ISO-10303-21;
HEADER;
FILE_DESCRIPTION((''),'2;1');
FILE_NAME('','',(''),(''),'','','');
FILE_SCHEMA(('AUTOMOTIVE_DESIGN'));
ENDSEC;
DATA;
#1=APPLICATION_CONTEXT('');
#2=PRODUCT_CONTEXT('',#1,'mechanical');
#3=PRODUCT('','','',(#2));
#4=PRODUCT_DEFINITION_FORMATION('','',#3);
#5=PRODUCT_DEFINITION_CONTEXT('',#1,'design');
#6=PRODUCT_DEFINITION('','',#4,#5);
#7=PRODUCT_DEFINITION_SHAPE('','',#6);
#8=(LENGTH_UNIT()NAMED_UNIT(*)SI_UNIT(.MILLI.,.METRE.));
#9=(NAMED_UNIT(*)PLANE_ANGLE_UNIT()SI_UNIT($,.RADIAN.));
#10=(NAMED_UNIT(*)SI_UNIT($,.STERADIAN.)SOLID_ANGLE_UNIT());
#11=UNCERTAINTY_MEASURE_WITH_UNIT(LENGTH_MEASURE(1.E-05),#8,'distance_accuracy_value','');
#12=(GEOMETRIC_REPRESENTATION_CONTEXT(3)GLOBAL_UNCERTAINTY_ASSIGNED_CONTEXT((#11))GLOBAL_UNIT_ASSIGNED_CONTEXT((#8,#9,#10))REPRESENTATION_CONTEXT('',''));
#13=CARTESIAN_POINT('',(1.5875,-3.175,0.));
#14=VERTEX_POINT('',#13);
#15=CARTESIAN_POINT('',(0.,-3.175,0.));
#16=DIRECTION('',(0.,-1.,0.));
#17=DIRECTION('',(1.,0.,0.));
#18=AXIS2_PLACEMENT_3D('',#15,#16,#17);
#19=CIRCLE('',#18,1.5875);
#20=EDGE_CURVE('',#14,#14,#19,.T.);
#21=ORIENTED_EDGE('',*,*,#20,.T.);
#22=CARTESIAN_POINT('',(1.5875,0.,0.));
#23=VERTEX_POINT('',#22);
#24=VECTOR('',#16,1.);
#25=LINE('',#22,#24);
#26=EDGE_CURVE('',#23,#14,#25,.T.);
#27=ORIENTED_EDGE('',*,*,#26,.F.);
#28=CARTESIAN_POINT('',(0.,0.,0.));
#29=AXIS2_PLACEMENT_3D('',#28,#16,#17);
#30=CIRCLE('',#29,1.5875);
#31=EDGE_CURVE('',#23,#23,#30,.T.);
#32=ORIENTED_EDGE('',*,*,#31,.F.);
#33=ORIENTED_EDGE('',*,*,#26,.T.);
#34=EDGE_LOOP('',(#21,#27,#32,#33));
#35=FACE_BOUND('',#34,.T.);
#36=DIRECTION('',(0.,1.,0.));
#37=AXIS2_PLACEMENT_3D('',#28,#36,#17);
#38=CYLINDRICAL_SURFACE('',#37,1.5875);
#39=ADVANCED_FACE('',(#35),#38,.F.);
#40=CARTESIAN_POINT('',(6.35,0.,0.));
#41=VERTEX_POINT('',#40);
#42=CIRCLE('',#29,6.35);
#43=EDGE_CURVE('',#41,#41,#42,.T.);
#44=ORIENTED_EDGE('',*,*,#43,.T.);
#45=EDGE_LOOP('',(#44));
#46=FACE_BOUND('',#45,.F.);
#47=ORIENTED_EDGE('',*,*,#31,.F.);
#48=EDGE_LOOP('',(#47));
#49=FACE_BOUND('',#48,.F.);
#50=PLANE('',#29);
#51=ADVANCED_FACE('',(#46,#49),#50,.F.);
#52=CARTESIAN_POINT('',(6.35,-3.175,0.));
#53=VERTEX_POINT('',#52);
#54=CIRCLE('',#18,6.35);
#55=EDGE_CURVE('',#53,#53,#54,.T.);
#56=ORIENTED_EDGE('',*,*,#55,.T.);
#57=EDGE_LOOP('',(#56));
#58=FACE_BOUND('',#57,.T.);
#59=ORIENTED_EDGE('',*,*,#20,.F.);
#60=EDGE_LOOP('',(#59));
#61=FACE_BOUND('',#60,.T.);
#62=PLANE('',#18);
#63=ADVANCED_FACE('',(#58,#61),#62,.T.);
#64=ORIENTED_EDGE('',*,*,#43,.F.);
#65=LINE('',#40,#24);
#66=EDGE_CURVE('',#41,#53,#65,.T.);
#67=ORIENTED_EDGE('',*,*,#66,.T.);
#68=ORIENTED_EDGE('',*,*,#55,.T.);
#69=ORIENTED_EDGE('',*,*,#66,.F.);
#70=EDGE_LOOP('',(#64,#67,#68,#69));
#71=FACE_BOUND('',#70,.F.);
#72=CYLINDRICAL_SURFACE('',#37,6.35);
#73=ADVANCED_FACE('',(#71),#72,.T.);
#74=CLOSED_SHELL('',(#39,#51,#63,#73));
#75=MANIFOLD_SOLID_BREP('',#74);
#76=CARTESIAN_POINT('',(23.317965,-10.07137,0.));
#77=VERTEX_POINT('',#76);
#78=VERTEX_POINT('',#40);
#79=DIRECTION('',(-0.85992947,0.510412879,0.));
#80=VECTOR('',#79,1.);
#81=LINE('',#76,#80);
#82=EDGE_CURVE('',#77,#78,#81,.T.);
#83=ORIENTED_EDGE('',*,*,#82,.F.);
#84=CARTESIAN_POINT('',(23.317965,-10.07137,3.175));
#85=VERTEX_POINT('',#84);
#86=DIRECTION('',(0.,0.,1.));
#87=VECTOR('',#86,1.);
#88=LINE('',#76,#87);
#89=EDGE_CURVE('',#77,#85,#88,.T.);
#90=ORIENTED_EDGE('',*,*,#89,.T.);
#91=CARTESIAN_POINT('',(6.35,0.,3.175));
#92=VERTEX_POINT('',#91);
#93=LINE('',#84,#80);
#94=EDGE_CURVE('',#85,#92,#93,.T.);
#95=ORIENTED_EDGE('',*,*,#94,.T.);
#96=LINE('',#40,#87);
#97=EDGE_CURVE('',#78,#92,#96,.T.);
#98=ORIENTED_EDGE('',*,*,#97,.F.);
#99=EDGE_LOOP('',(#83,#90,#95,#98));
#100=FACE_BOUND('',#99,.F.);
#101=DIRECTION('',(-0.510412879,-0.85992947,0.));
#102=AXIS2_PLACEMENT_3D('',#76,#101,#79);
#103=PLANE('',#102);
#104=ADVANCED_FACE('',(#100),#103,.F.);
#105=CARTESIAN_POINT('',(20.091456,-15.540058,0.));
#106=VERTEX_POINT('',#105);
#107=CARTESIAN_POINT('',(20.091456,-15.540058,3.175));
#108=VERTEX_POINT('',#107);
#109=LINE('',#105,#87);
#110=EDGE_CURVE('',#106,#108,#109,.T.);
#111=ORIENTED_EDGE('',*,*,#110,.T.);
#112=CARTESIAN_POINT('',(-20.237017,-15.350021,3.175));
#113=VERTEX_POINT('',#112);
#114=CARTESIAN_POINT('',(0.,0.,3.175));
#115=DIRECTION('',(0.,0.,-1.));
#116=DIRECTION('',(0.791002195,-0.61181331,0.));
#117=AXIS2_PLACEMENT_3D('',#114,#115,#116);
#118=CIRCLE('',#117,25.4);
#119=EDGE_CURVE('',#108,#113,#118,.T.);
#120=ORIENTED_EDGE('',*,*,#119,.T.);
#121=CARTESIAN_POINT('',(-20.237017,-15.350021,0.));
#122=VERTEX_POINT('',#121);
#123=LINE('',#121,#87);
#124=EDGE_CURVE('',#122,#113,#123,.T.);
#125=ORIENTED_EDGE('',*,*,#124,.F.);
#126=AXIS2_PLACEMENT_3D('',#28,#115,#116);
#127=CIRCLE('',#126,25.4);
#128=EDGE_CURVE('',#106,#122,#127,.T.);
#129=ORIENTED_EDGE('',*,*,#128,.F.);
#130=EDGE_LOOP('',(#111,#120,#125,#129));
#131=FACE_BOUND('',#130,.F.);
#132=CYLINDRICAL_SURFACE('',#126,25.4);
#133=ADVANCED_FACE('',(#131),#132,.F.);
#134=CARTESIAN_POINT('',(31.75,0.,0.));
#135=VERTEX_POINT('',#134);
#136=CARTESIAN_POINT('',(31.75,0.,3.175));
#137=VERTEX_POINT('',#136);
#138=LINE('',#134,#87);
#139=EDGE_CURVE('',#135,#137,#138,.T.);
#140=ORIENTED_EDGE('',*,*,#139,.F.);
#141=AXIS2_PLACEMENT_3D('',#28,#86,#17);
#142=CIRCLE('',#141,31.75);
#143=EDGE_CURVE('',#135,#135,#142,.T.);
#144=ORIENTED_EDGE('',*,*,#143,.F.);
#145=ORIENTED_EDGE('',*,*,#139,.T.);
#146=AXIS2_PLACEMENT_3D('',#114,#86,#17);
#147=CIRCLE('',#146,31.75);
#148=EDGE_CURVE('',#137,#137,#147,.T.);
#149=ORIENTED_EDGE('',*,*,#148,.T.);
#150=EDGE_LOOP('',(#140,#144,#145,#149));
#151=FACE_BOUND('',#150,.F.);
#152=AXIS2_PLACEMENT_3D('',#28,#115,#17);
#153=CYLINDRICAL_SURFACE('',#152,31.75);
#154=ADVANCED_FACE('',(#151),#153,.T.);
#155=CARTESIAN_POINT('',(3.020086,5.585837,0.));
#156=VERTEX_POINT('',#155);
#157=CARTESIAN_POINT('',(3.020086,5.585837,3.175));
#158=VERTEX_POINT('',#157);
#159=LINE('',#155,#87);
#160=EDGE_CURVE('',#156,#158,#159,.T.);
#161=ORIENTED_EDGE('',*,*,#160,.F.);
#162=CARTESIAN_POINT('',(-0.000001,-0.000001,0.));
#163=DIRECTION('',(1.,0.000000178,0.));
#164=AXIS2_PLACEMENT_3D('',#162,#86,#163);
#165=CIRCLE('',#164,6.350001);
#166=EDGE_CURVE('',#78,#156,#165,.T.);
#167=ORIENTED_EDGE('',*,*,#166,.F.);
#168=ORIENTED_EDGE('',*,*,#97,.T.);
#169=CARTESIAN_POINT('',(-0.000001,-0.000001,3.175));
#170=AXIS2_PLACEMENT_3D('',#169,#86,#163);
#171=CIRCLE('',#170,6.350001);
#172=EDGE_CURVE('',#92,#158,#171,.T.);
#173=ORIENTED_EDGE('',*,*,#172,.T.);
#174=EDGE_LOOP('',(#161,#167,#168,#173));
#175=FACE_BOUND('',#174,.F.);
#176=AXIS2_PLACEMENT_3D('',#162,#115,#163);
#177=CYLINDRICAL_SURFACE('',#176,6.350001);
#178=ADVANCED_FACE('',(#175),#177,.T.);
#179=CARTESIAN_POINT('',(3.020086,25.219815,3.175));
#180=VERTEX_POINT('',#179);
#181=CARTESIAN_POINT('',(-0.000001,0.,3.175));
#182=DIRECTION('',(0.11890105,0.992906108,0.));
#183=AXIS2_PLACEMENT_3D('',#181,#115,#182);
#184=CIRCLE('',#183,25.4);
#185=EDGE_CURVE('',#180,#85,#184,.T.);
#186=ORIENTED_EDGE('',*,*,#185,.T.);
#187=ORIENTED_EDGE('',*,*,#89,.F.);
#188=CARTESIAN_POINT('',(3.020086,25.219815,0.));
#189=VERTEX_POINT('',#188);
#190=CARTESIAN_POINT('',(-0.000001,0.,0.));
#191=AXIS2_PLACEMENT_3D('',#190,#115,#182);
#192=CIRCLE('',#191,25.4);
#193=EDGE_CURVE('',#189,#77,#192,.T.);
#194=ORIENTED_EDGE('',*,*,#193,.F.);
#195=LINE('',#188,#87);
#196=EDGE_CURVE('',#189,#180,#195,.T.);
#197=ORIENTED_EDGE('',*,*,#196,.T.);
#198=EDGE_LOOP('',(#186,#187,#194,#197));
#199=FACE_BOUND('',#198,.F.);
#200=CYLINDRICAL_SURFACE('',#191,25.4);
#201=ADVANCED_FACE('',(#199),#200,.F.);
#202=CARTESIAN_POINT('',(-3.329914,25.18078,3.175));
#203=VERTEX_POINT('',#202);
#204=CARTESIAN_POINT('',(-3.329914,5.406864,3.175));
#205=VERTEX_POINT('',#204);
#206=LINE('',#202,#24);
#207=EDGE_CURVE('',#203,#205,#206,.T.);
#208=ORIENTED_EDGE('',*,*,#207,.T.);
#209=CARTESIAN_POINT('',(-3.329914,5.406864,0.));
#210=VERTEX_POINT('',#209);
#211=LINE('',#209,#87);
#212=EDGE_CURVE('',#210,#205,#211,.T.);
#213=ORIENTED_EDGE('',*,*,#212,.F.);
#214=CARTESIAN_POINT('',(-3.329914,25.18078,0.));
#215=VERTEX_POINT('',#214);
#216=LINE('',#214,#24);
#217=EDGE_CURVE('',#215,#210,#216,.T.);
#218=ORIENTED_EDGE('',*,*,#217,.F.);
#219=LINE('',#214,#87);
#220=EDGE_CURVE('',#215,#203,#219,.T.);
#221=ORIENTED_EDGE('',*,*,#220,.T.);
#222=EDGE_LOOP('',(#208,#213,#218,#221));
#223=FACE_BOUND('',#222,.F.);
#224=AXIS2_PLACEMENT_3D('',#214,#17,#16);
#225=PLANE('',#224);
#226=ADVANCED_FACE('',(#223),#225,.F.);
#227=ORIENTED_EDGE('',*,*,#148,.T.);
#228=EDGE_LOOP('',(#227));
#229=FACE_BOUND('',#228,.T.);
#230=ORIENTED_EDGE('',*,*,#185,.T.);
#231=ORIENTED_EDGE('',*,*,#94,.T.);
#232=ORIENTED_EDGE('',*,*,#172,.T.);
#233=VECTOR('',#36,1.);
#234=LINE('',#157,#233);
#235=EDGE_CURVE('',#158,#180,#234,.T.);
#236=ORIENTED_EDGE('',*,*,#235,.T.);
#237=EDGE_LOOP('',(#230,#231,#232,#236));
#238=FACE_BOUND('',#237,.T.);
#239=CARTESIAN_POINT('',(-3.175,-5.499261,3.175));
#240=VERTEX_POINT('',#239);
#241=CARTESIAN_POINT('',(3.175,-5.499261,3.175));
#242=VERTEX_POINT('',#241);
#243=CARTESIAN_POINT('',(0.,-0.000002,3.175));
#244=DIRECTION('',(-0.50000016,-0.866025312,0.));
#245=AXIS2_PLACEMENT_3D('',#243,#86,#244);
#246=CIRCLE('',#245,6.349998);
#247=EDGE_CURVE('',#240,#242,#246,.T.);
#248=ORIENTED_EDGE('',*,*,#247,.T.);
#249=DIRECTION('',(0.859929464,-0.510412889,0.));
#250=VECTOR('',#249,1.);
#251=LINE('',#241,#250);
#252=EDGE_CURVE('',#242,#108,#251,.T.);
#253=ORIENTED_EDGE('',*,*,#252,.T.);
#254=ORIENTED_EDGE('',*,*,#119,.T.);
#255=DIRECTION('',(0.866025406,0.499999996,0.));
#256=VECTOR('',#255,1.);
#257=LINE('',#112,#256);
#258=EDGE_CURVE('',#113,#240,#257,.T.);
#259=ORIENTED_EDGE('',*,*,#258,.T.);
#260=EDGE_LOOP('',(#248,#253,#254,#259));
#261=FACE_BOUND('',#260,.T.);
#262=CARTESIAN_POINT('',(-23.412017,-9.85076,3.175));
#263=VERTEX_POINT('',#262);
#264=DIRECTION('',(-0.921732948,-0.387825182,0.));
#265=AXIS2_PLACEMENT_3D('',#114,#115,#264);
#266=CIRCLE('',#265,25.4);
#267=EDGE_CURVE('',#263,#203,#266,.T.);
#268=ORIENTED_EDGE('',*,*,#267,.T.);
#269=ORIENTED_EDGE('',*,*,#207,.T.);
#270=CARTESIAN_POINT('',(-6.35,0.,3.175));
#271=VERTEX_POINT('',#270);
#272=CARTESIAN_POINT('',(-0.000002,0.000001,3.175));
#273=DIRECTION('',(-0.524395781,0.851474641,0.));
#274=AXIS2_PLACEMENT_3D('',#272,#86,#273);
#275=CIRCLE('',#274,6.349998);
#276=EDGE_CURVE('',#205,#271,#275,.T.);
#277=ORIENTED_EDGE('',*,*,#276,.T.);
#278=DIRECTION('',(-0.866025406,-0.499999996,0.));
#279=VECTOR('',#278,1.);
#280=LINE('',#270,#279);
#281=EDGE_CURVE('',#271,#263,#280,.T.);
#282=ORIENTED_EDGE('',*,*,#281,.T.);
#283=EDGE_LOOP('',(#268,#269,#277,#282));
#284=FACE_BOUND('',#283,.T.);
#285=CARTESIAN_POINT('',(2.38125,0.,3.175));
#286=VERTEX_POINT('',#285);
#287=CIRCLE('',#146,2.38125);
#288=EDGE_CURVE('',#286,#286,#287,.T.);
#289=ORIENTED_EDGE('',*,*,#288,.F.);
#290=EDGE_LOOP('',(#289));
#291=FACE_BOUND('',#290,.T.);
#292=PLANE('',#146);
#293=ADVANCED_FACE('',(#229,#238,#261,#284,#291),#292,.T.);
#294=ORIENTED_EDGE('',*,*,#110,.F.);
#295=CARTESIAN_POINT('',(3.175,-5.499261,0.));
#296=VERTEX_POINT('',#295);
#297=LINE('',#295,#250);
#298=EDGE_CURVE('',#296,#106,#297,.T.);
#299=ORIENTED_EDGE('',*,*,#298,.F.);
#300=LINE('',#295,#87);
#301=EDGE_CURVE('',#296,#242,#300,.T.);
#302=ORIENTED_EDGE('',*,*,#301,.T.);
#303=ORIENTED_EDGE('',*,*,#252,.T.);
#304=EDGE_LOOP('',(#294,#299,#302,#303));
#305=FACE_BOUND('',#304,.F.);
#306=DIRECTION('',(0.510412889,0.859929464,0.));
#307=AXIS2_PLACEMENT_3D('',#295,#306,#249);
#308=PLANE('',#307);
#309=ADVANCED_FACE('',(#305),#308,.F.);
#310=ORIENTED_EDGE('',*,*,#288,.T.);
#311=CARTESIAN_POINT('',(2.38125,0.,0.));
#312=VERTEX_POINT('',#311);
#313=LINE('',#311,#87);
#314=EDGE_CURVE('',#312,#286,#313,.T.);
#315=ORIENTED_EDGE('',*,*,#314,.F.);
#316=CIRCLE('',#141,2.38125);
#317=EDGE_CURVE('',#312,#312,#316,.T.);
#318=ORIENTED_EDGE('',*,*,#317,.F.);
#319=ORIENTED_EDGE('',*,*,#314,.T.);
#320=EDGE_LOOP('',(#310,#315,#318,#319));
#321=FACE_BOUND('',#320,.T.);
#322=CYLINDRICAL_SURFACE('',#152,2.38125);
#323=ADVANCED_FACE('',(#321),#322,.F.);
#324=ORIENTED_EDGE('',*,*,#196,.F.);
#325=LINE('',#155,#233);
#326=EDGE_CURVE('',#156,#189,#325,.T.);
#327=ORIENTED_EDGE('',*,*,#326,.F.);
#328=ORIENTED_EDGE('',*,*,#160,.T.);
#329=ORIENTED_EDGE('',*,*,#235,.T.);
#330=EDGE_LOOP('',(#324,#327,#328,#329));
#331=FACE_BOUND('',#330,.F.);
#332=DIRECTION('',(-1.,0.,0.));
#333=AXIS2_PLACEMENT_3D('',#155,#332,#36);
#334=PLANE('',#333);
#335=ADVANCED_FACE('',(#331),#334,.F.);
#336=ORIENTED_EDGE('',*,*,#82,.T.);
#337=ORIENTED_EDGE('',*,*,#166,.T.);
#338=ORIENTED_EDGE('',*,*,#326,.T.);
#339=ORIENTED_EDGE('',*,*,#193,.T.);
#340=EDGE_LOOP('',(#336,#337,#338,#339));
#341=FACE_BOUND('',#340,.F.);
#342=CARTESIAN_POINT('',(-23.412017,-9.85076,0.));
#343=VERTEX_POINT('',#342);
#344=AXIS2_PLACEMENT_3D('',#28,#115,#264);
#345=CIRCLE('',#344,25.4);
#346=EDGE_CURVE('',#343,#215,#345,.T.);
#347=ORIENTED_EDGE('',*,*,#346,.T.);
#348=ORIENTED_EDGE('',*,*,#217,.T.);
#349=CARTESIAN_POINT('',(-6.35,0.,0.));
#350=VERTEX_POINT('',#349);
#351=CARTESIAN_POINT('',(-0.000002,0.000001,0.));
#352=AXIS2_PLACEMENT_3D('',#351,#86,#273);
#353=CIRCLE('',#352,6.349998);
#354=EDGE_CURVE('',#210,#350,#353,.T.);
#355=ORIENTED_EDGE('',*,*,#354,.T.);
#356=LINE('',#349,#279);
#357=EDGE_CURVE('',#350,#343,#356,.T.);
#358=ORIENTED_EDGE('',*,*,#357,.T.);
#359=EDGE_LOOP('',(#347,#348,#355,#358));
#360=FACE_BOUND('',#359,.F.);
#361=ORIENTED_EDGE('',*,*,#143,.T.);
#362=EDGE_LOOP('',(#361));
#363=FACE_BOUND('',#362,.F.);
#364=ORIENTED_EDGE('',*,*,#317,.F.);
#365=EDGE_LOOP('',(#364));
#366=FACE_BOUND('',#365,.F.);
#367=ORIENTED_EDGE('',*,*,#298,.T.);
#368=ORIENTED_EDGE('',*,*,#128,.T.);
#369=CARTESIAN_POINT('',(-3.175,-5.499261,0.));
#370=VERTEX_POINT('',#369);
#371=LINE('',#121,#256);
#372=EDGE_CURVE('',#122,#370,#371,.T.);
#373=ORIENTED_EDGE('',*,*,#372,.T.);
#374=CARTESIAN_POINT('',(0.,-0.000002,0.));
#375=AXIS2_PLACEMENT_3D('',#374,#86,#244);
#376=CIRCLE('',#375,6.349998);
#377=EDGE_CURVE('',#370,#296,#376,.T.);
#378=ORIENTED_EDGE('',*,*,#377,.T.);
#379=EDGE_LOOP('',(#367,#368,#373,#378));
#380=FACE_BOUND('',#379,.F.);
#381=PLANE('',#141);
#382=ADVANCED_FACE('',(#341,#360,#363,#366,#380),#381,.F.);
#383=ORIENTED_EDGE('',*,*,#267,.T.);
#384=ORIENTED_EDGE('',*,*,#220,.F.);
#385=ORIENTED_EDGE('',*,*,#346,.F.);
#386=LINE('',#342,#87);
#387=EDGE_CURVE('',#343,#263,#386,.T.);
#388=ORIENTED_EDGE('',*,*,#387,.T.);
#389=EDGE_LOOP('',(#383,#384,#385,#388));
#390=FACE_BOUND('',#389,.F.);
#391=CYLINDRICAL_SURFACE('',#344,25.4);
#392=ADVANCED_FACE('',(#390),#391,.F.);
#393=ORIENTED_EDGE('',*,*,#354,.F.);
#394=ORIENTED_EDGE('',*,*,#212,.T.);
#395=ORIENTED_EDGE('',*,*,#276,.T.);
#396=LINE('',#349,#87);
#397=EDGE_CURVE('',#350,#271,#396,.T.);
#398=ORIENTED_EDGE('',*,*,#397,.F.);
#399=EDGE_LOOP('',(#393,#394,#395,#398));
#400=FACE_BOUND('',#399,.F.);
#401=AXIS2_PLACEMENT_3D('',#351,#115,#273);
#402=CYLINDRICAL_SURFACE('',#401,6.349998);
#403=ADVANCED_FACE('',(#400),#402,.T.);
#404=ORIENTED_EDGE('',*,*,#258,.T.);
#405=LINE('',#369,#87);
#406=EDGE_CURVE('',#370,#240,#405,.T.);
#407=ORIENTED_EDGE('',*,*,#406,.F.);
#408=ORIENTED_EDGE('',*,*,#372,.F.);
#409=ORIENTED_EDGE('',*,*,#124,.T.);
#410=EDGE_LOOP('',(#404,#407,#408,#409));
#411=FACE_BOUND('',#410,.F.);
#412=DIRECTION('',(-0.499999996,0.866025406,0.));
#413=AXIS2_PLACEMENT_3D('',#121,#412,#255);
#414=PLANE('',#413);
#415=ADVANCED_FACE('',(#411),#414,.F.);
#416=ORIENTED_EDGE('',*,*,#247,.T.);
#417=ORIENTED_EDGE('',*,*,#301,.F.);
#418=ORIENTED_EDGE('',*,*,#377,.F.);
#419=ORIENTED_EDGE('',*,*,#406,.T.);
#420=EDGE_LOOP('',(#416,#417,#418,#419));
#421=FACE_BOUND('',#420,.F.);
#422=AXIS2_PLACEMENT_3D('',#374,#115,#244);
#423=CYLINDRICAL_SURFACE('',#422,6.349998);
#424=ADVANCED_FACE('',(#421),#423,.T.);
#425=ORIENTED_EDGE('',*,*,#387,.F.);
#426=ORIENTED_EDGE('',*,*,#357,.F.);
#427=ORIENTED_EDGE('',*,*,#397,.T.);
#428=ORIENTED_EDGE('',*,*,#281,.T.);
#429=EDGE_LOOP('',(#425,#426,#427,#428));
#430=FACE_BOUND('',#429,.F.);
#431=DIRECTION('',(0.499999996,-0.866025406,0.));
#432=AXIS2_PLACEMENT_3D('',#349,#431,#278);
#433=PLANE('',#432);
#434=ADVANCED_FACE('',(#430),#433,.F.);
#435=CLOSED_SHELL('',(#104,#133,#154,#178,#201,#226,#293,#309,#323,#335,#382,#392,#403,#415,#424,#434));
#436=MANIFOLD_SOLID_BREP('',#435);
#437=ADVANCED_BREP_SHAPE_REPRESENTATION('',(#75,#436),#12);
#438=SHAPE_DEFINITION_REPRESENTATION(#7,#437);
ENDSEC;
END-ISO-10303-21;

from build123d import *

# Parameters (mm, degrees)
F0_R     = 31.75
F0_R_2   = 2.38125
F1_DEPTH = 3.175
F2_R     = 6.35
F2_R_2   = 1.5875
F3_DEPTH = 3.175


with BuildPart() as f1:
    # F0 (on Top) → F1 (new body)
    with BuildSketch(Plane.XY):
        Circle(F0_R)
        with BuildLine():
            ThreePointArc((20.091456, -15.540058), (-0.119689, -25.399718), (-20.237017, -15.350021))
            Line((-20.237017, -15.350021), (-3.175, -5.499261))
            ThreePointArc((-3.175, -5.499261), (0, -6.35), (3.175, -5.499261))
            Line((3.175, -5.499261), (20.091456, -15.540058))
        make_face(mode=Mode.SUBTRACT)
        with BuildLine():
            Line((-3.329914, 25.18078), (-3.329914, 5.406864))
            ThreePointArc((-3.329914, 5.406864), (-5.543801, 3.096575), (-6.35, 0))
            Line((-6.35, 0), (-23.412017, -9.85076))
            ThreePointArc((-23.412017, -9.85076), (-22.035991, 12.632304), (-3.329914, 25.18078))
        make_face(mode=Mode.SUBTRACT)
        Circle(F0_R_2, mode=Mode.SUBTRACT)
        with BuildLine():
            Line((3.020086, 5.585837), (3.020086, 25.219815))
            ThreePointArc((3.020086, 25.219815), (22.017951, 12.66372), (23.317965, -10.07137))
            Line((23.317965, -10.07137), (6.35, 0))
            ThreePointArc((6.35, 0), (5.454358, 3.251534), (3.020086, 5.585837))
        make_face(mode=Mode.SUBTRACT)
    extrude(amount=F1_DEPTH)


with BuildPart() as f3:
    # F2 (on Front) → F3 (new body)
    with BuildSketch(Plane.XZ):
        Circle(F2_R)
        Circle(F2_R_2, mode=Mode.SUBTRACT)
    extrude(amount=F3_DEPTH)


solid = Compound([f1.part, f3.part])
